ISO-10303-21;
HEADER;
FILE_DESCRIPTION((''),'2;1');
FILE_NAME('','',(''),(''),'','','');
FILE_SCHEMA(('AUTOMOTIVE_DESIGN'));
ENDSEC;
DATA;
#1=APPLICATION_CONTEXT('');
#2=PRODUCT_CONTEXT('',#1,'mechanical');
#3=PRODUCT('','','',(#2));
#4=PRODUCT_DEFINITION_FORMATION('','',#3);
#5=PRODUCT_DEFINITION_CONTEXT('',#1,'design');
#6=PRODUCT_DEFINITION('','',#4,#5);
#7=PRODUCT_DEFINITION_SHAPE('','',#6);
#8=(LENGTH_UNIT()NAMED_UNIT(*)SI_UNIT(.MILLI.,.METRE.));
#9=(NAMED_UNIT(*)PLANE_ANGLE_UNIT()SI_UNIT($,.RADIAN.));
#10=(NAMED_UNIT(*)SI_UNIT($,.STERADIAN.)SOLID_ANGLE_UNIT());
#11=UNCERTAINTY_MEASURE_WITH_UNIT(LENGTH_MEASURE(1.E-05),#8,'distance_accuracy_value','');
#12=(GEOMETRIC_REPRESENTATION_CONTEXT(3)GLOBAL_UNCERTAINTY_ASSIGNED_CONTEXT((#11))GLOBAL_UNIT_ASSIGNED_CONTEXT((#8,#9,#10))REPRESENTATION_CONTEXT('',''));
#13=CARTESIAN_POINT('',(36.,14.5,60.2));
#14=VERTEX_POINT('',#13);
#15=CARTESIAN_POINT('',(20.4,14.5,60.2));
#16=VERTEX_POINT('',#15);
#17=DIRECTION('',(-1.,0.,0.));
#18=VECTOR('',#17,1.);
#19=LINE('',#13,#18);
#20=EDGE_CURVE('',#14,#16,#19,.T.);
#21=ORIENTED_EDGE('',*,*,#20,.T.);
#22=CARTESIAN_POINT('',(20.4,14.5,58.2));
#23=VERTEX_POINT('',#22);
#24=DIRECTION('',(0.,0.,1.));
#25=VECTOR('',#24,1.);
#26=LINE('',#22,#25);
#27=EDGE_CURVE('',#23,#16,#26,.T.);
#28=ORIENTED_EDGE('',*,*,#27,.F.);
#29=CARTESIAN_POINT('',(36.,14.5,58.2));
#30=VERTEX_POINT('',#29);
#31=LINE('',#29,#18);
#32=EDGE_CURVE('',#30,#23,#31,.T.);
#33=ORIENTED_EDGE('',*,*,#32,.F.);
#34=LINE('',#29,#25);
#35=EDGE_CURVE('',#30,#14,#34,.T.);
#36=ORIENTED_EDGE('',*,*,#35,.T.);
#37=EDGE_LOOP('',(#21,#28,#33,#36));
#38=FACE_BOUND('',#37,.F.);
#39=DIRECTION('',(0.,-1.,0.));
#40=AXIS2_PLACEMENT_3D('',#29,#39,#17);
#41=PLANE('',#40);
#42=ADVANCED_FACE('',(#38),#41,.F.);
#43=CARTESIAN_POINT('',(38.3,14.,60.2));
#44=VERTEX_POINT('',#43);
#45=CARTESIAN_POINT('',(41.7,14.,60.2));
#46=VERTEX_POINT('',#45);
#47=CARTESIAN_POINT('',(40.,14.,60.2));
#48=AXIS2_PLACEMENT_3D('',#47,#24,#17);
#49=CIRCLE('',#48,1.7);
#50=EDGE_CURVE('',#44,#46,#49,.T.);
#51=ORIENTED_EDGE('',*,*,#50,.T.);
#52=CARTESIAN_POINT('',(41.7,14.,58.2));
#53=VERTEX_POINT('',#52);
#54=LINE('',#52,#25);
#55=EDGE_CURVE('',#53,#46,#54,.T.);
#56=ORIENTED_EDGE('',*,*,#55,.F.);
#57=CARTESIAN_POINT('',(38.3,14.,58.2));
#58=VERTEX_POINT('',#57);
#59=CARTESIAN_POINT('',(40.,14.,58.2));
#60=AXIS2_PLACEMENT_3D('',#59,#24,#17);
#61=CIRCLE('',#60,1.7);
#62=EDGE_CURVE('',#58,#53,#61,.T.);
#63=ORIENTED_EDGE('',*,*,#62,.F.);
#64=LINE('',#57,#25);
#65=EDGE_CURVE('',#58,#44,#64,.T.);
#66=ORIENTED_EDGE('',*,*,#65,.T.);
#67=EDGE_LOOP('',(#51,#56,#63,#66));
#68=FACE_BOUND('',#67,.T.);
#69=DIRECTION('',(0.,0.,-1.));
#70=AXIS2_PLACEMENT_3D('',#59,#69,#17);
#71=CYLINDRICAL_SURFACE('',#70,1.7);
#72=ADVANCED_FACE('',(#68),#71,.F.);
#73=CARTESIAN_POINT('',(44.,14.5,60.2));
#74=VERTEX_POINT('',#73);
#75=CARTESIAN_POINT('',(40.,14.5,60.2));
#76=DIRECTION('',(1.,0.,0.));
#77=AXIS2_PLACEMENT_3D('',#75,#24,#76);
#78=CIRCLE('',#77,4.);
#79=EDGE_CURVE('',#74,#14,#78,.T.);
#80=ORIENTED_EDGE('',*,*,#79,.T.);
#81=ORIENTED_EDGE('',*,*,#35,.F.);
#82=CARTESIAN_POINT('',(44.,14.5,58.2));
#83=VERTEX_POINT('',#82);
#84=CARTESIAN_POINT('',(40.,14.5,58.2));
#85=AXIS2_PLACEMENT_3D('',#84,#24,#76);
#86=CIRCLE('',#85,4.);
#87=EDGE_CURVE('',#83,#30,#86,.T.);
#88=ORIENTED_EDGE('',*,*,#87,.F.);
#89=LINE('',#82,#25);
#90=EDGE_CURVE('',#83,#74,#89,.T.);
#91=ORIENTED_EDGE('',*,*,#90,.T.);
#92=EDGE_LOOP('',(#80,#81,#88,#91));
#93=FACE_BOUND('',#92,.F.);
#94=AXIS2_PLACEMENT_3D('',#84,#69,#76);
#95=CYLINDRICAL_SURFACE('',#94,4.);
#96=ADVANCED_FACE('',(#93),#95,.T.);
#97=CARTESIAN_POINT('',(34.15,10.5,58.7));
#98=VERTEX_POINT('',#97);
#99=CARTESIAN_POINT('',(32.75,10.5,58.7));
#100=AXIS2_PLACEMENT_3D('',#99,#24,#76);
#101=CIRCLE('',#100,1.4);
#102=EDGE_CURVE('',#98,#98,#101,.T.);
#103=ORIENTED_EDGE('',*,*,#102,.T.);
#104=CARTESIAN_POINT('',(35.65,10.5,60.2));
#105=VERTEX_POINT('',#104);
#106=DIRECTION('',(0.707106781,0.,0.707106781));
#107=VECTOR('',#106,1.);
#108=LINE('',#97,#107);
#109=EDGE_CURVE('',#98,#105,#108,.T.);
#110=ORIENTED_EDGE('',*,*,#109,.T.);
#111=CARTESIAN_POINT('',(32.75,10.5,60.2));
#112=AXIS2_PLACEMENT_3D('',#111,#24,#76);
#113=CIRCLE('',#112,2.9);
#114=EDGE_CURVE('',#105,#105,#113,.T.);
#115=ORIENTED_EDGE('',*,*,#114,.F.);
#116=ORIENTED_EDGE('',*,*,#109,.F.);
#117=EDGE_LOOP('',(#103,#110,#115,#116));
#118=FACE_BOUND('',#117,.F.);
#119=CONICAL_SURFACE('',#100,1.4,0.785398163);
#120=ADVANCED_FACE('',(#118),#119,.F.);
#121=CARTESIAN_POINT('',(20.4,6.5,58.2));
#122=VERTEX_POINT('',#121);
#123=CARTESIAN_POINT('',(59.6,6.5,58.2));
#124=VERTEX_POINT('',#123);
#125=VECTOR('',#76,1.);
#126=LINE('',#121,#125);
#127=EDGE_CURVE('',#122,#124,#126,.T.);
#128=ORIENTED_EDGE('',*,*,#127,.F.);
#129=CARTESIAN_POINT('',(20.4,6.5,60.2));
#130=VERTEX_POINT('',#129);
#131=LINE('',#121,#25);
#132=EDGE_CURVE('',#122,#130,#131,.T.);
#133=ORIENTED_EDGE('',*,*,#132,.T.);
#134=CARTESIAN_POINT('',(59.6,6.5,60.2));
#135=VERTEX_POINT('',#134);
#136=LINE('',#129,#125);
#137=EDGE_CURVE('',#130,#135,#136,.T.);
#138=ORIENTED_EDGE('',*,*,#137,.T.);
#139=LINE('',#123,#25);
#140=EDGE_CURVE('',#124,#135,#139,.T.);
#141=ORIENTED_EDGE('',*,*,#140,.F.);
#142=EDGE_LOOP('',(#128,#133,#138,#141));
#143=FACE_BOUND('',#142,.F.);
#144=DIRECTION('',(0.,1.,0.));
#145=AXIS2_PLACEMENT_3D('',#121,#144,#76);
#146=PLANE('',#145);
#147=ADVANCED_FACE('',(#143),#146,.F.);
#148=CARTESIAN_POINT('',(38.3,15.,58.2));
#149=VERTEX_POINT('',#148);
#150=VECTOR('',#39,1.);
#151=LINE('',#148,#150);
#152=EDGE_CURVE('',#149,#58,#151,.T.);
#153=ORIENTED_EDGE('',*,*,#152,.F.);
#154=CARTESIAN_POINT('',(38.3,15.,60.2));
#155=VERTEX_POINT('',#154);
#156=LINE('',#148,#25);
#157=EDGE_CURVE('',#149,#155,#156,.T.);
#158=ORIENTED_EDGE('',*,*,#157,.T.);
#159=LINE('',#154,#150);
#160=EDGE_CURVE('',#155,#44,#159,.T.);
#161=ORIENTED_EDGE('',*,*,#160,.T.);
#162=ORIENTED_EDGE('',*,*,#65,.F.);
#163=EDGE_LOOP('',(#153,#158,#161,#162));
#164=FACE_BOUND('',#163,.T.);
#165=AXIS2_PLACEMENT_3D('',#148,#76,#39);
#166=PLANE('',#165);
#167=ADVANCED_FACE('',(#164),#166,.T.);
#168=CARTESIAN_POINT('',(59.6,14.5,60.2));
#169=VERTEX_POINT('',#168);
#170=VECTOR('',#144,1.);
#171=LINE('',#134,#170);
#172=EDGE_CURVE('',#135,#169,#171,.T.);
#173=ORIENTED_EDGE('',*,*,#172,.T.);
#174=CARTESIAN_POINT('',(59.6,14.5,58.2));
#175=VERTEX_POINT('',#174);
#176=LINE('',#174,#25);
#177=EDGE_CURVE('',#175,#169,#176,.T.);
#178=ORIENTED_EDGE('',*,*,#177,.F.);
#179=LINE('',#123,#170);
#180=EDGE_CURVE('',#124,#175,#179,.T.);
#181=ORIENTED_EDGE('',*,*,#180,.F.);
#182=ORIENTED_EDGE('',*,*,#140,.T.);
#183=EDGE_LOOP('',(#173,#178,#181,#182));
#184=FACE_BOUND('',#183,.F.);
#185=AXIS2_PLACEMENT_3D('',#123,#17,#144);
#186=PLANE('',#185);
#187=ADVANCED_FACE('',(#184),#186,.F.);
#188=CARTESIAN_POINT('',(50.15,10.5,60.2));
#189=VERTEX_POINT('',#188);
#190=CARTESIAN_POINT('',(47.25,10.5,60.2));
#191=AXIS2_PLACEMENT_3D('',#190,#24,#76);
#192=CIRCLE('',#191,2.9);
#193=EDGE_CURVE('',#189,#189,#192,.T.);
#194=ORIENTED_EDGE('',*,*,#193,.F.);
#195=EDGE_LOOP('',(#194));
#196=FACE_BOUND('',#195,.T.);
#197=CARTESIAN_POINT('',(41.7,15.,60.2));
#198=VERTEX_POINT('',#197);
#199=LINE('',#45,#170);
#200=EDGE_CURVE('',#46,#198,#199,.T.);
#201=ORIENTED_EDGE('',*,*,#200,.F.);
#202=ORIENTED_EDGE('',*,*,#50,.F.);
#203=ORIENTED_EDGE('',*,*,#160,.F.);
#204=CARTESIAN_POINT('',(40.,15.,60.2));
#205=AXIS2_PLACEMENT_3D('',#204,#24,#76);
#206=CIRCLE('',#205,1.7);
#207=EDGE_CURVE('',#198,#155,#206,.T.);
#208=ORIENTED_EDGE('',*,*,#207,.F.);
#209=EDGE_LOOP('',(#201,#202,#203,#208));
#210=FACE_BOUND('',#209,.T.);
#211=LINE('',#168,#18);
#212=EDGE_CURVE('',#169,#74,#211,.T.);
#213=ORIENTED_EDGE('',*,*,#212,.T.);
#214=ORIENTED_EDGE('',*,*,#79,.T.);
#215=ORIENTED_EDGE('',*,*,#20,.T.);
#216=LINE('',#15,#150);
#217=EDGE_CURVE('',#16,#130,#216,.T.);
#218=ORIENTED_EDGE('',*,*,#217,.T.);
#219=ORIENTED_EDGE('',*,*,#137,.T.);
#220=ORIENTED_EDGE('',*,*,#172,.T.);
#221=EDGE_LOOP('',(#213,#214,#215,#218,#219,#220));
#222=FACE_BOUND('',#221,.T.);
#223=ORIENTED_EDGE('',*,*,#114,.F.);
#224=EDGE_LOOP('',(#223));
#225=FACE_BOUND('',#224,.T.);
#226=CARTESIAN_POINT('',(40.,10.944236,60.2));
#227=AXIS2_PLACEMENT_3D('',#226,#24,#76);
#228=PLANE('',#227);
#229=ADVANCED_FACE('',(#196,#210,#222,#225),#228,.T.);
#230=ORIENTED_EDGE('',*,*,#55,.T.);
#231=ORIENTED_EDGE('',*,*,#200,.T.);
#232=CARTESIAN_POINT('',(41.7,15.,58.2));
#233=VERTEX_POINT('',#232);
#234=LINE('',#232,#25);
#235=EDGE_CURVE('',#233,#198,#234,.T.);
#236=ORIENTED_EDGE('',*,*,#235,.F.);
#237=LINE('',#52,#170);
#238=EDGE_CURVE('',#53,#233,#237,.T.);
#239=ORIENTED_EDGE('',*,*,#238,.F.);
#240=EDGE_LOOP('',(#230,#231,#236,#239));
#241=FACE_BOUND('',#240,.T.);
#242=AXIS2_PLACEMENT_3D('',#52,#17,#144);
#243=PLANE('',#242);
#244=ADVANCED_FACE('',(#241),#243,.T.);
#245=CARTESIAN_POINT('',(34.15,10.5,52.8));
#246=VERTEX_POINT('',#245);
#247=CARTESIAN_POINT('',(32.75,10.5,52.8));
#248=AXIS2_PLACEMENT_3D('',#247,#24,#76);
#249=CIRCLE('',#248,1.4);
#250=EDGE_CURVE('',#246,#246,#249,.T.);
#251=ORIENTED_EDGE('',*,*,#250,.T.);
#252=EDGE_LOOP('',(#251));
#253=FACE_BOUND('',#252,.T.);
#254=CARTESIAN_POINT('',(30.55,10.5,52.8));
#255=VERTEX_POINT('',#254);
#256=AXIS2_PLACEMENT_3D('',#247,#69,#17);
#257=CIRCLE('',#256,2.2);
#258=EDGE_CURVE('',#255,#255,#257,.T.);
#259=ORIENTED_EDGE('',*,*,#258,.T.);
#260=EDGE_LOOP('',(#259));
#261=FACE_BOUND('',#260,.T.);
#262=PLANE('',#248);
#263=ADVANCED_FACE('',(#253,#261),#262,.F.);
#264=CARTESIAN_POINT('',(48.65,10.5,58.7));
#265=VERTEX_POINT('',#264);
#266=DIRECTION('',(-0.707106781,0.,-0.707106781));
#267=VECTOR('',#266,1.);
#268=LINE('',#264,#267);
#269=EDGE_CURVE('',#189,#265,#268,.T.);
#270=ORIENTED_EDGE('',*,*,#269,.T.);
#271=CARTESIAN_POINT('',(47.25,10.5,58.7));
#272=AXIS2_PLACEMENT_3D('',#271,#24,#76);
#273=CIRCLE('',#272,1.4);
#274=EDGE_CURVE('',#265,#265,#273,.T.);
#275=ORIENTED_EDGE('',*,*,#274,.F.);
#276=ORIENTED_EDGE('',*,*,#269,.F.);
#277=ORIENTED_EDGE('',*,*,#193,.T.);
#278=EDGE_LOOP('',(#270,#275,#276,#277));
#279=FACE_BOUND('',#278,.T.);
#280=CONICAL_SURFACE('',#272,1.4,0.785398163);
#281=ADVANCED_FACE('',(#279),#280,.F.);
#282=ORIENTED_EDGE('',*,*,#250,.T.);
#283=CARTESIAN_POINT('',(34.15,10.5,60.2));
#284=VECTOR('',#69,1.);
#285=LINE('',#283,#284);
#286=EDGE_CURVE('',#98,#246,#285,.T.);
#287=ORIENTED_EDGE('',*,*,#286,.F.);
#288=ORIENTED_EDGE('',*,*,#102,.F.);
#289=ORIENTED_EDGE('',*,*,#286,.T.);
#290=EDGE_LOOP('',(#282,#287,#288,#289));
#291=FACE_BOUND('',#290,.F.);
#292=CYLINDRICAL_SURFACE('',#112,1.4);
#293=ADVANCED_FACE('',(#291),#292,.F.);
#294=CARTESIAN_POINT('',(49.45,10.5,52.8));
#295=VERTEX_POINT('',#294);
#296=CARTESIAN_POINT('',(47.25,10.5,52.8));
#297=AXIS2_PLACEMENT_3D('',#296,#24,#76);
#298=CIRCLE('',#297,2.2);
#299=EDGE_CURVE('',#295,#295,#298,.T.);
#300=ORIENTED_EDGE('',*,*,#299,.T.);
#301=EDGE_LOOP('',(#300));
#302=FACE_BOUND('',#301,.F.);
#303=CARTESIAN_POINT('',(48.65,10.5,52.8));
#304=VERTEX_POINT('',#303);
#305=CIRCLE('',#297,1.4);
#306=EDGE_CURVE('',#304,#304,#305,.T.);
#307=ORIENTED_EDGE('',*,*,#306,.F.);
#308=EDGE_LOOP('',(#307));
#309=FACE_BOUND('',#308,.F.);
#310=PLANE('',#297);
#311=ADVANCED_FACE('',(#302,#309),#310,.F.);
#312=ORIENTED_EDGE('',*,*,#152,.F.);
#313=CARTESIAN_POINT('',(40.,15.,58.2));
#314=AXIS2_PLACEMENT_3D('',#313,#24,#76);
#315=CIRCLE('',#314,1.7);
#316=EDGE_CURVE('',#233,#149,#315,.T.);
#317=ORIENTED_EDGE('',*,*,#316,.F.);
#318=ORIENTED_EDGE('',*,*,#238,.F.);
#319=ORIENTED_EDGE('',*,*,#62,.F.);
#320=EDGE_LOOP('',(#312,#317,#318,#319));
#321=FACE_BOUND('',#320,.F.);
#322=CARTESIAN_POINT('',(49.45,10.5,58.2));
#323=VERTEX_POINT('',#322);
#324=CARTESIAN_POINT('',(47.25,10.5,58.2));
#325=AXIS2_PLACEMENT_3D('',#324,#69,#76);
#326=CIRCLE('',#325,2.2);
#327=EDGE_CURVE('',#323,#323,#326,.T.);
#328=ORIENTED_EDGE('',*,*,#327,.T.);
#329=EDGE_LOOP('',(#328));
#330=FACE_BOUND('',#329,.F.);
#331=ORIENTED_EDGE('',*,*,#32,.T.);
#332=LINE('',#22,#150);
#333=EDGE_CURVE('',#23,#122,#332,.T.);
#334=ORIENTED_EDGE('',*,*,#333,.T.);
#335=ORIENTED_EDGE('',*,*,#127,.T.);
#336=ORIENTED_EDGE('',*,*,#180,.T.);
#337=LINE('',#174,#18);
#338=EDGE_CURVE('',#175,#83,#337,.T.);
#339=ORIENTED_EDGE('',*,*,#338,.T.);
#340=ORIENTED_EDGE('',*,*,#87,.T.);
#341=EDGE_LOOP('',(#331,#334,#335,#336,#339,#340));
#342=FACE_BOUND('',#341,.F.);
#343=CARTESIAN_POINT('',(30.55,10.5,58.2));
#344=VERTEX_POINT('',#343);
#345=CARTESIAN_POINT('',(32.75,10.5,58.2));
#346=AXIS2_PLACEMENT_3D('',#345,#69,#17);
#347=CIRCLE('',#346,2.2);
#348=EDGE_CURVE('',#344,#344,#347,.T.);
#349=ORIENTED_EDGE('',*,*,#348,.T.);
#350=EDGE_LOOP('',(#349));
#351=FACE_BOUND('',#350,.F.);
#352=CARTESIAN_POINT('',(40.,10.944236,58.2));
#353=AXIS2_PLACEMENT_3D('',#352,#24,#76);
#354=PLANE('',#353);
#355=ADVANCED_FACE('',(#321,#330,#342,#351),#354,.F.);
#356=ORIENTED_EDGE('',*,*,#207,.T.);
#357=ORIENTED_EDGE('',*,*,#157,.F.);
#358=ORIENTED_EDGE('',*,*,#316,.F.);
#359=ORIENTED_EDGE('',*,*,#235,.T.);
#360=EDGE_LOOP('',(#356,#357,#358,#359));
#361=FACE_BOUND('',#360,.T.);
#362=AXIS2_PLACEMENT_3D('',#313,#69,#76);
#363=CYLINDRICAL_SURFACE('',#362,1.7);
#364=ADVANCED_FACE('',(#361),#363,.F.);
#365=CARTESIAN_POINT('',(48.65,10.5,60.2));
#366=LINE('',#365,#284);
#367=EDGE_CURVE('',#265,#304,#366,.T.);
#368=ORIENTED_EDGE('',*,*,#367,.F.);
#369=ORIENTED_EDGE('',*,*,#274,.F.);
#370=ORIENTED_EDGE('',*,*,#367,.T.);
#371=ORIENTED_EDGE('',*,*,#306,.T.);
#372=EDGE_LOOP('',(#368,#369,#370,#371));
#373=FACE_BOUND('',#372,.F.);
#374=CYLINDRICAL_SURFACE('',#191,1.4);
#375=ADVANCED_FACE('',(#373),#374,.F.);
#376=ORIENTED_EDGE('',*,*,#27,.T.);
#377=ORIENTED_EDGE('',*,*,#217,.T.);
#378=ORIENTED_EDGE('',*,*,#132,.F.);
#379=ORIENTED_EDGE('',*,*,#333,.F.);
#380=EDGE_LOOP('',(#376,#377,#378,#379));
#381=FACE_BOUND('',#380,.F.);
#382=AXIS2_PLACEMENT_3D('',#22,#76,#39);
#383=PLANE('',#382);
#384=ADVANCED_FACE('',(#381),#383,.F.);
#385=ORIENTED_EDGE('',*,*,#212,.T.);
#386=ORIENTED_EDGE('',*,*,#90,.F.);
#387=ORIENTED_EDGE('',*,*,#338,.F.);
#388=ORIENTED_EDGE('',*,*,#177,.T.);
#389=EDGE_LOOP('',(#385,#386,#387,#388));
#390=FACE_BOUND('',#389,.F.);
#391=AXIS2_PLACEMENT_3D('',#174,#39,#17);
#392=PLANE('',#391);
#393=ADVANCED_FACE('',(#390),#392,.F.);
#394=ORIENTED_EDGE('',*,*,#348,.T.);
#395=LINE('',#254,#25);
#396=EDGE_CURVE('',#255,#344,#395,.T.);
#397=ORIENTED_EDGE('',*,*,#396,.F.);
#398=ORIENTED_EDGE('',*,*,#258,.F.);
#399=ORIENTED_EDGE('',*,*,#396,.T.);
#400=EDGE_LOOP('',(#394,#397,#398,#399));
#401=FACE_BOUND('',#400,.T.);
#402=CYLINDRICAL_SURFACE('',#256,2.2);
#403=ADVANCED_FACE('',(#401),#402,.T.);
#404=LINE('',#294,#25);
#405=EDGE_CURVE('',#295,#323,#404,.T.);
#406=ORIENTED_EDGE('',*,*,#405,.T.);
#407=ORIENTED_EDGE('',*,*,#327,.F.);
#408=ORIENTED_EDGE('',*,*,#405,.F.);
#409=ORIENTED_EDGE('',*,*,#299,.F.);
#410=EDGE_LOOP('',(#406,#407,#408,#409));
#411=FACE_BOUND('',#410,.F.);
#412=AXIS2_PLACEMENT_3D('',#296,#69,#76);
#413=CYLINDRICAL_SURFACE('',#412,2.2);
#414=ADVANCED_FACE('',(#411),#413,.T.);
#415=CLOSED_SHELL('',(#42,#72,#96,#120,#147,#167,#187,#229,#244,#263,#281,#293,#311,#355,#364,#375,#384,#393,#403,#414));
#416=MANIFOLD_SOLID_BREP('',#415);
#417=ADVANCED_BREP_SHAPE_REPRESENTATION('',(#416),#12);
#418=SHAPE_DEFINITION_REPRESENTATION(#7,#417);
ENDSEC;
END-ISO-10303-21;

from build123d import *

# Parameters (mm, degrees)
PAD072_DEPTH            = 2
CYLINDER084_R           = 2.2
CYLINDER084_DEPTH       = 7
SKETCH123_R             = 1.4
POCKET026_DEPTH         = 7.401
CHAMFER001_SIZE         = 1.5
BODY090_PLACEMENT_ANGLE = 180
BODY093_ROLL_ANGLE      = 90
BODY093_PLACEMENT_ANGLE = 180


with BuildPart() as part:
    # Sketch122 → Pad072 (new body)
    with BuildSketch(Plane.XZ):
        with BuildLine():
            Line((-4, -2.5), (-19.6, -2.5))
            Line((-19.6, -2.5), (-19.6, -10.5))
            Line((-19.6, -10.5), (19.6, -10.5))
            Line((19.6, -10.5), (19.6, -2.5))
            Line((19.6, -2.5), (4, -2.5))
            ThreePointArc((4, -2.5), (0, 1.5), (-4, -2.5))
        make_face()
        with BuildLine():
            ThreePointArc((1.7, -2), (0, -0.3), (-1.7, -2))
            Line((-1.7, -2), (-1.7, -3))
            ThreePointArc((-1.7, -3), (0, -4.7), (1.7, -3))
            Line((1.7, -3), (1.7, -2))
        make_face(mode=Mode.SUBTRACT)
    extrude(amount=PAD072_DEPTH)

    # Cylinder084 → Cylinder084 (join)
    with BuildSketch(Plane(origin=(7.25, 5.4, -6.5), x_dir=(1, 0, 0), z_dir=(0, -1, 0))):
        Circle(CYLINDER084_R)
    cylinder084 = extrude(amount=CYLINDER084_DEPTH)

    # Mirrored020: Cylinder084 across YZ
    add(cylinder084.mirror(Plane.YZ))

    # Sketch123 → Pocket026 (cut, through all)
    with BuildSketch(Plane.XZ.offset(2)):
        with Locations((-7.25, -6.5)):
            Circle(SKETCH123_R)
        with Locations((7.25, -6.5)):
            Circle(SKETCH123_R)
    extrude(amount=-POCKET026_DEPTH, mode=Mode.SUBTRACT)

    # Chamfer001
    chamfer001_edges = [part.edges().sort_by_distance(p)[0] for p in [
        (-8.65, -2, -6.5),
        (5.85, -2, -6.5),
    ]]
    chamfer(chamfer001_edges, length=CHAMFER001_SIZE)


with BuildPart() as part_1:
    # Body090 placement: moved
    add(part.part.moved(Location((0, 4.2, 0))).rotate(Axis((0, 4.2, 0), (0, 0, 1)), BODY090_PLACEMENT_ANGLE))


with BuildPart() as part_2:
    # Clone023 placement: moved
    add(part_1.part.moved(Location((0, -4.2, 0))))


with BuildPart() as part_3:
    # Body093 roll: moved
    add(part_2.part.rotate(Axis((0, 0, 0), (1, 0, 0)), BODY093_ROLL_ANGLE))


with BuildPart() as part_4:
    # Body093 placement: moved
    add(part_3.part.moved(Location((40, 17, 58.2))).rotate(Axis((40, 17, 58.2), (0, 0, 1)), BODY093_PLACEMENT_ANGLE))


solid = part_4.part
